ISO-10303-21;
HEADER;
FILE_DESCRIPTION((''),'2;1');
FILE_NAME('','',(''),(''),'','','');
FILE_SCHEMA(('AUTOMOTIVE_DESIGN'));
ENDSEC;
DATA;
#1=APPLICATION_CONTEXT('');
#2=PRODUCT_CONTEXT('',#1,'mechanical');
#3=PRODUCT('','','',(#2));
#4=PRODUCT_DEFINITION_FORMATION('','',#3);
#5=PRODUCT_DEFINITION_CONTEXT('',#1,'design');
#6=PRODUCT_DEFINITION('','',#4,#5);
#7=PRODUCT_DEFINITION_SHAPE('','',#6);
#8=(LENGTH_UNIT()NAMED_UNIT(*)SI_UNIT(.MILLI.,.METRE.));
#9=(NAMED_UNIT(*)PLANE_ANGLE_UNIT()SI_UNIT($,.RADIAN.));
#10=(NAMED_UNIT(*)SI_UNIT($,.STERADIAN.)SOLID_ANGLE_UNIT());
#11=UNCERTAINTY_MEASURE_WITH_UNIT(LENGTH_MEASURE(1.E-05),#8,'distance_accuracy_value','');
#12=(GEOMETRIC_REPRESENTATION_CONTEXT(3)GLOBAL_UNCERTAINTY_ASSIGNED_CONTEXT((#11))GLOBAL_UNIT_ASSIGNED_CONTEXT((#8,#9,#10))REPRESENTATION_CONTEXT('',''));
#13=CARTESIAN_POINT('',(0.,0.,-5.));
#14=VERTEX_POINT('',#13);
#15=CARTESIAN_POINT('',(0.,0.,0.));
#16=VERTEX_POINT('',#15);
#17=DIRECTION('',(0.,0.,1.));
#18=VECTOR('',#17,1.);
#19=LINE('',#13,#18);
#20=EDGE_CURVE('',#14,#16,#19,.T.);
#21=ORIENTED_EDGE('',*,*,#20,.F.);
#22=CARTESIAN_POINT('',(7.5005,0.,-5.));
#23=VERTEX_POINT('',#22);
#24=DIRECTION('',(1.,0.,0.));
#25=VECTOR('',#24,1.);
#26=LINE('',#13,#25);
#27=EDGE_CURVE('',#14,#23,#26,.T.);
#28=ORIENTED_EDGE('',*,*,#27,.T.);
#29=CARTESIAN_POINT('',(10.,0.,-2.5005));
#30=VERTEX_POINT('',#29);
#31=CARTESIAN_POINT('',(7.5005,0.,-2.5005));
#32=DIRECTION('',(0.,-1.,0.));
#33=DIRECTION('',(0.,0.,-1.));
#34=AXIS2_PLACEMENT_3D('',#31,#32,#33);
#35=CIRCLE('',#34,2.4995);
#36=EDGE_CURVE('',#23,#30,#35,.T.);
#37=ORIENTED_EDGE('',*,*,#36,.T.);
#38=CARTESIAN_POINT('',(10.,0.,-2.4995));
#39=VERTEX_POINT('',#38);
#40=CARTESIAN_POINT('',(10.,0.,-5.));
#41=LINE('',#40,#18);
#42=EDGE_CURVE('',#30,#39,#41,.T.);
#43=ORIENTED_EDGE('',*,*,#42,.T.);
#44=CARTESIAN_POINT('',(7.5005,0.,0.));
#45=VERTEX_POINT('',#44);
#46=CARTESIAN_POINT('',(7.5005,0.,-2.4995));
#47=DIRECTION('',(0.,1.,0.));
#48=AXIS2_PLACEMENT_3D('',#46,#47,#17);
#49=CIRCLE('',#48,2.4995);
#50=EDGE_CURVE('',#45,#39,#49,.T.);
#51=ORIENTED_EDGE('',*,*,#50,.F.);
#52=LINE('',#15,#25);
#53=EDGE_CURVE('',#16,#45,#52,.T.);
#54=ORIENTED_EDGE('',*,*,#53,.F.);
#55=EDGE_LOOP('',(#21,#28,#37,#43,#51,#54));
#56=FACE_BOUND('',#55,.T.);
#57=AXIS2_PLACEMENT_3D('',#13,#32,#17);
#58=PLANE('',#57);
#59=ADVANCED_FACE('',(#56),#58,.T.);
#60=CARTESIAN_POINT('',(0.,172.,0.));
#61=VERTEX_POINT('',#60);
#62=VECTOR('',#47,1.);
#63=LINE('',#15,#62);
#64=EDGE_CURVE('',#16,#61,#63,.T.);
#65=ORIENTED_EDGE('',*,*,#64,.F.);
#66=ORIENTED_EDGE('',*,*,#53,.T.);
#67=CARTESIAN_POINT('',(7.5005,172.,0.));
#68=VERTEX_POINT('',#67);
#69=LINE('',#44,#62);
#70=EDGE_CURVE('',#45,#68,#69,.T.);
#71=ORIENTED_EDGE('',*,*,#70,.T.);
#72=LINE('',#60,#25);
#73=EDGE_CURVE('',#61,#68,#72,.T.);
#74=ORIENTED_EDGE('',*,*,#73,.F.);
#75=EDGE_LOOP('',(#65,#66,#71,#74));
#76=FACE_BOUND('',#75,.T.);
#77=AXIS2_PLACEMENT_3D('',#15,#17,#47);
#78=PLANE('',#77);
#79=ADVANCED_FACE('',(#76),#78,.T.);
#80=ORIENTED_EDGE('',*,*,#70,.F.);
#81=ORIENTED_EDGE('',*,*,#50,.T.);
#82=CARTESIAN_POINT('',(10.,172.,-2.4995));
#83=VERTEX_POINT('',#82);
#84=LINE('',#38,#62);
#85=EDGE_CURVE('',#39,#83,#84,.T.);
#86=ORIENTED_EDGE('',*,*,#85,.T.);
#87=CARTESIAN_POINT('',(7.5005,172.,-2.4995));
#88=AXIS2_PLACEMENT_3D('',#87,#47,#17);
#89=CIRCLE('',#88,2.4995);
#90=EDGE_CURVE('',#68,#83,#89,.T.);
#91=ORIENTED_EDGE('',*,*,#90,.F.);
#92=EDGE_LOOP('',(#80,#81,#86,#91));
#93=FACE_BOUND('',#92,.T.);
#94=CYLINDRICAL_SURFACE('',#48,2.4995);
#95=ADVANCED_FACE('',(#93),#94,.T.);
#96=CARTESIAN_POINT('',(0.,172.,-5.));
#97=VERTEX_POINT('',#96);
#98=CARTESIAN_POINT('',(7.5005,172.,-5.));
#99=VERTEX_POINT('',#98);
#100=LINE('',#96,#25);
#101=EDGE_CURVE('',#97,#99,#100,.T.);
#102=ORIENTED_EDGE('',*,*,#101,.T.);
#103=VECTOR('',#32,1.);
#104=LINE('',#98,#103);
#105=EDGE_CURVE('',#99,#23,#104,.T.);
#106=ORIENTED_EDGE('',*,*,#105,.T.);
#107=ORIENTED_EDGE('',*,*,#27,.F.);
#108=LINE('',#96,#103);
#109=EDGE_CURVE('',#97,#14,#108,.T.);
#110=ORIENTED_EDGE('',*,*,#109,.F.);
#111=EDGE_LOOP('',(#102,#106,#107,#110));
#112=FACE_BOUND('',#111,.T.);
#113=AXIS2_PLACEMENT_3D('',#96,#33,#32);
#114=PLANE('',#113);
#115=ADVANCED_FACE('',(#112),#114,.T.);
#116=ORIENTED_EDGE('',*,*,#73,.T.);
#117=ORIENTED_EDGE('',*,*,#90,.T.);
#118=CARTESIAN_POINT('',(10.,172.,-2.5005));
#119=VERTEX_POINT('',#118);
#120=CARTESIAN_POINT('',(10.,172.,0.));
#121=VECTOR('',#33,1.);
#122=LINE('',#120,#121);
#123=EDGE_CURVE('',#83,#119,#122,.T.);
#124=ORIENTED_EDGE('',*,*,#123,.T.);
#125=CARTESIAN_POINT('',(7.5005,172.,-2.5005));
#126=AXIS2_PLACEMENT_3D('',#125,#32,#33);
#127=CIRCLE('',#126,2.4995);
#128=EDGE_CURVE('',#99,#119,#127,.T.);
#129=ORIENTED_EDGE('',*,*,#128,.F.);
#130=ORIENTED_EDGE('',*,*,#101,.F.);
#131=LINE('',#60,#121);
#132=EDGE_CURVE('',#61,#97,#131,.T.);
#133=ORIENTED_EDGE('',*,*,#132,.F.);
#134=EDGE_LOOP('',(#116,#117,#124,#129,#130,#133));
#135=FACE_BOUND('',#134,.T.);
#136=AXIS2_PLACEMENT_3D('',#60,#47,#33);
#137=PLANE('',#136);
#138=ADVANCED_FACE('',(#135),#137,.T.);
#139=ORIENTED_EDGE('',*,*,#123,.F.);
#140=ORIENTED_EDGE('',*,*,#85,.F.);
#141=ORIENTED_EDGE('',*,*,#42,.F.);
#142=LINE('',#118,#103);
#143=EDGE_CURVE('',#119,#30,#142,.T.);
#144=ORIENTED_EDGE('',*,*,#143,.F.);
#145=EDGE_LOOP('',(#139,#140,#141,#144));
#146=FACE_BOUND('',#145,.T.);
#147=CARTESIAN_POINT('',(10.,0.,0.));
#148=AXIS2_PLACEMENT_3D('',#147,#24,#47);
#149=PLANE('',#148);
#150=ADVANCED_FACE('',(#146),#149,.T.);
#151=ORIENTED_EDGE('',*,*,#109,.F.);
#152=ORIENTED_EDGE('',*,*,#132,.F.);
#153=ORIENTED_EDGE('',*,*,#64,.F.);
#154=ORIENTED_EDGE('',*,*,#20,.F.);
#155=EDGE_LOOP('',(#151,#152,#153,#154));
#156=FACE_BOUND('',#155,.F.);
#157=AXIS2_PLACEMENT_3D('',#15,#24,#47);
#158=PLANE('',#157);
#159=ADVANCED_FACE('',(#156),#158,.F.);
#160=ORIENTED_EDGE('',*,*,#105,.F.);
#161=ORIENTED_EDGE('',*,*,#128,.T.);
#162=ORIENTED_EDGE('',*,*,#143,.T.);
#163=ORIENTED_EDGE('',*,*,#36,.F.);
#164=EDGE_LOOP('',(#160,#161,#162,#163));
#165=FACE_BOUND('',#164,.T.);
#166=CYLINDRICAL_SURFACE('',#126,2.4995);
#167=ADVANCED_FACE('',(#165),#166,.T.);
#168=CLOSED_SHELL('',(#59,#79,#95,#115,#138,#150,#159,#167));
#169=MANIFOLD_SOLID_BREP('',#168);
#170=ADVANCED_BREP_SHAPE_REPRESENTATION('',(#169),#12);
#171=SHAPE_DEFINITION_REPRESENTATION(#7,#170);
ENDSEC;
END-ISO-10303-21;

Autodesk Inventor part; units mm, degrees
ref_plane "YZ Plane" through (0, 0, 0) normal (1, 0, 0) x (0, 1, 0)
ref_plane "XZ Plane" through (0, 0, 0) normal (0, 1, 0) x (-1, 0, 0)
ref_plane "XY Plane" through (0, 0, 0) normal (0, 0, 1) x (1, 0, 0)
sketch "Sketch1" plane through (0, 0, 0) normal (1, 0, 0) x (0, 1, 0)
  line L0 (0, 0) -> (172, 0)
  line L1 (172, 0) -> (172, -5)
  line L2 (172, -5) -> (0, -5)
  line L3 (0, -5) -> (0, 0)
  dimension "d0" = 172
  dimension "d1" = 5
extrude "Extrusion1" add sketch "Sketch1" along normal blind 10
fillet "Fillet1" radius 2.5 2 edges at (10, 86, 0) (10, 86, -5)
properties part number "breadboard-slot"
